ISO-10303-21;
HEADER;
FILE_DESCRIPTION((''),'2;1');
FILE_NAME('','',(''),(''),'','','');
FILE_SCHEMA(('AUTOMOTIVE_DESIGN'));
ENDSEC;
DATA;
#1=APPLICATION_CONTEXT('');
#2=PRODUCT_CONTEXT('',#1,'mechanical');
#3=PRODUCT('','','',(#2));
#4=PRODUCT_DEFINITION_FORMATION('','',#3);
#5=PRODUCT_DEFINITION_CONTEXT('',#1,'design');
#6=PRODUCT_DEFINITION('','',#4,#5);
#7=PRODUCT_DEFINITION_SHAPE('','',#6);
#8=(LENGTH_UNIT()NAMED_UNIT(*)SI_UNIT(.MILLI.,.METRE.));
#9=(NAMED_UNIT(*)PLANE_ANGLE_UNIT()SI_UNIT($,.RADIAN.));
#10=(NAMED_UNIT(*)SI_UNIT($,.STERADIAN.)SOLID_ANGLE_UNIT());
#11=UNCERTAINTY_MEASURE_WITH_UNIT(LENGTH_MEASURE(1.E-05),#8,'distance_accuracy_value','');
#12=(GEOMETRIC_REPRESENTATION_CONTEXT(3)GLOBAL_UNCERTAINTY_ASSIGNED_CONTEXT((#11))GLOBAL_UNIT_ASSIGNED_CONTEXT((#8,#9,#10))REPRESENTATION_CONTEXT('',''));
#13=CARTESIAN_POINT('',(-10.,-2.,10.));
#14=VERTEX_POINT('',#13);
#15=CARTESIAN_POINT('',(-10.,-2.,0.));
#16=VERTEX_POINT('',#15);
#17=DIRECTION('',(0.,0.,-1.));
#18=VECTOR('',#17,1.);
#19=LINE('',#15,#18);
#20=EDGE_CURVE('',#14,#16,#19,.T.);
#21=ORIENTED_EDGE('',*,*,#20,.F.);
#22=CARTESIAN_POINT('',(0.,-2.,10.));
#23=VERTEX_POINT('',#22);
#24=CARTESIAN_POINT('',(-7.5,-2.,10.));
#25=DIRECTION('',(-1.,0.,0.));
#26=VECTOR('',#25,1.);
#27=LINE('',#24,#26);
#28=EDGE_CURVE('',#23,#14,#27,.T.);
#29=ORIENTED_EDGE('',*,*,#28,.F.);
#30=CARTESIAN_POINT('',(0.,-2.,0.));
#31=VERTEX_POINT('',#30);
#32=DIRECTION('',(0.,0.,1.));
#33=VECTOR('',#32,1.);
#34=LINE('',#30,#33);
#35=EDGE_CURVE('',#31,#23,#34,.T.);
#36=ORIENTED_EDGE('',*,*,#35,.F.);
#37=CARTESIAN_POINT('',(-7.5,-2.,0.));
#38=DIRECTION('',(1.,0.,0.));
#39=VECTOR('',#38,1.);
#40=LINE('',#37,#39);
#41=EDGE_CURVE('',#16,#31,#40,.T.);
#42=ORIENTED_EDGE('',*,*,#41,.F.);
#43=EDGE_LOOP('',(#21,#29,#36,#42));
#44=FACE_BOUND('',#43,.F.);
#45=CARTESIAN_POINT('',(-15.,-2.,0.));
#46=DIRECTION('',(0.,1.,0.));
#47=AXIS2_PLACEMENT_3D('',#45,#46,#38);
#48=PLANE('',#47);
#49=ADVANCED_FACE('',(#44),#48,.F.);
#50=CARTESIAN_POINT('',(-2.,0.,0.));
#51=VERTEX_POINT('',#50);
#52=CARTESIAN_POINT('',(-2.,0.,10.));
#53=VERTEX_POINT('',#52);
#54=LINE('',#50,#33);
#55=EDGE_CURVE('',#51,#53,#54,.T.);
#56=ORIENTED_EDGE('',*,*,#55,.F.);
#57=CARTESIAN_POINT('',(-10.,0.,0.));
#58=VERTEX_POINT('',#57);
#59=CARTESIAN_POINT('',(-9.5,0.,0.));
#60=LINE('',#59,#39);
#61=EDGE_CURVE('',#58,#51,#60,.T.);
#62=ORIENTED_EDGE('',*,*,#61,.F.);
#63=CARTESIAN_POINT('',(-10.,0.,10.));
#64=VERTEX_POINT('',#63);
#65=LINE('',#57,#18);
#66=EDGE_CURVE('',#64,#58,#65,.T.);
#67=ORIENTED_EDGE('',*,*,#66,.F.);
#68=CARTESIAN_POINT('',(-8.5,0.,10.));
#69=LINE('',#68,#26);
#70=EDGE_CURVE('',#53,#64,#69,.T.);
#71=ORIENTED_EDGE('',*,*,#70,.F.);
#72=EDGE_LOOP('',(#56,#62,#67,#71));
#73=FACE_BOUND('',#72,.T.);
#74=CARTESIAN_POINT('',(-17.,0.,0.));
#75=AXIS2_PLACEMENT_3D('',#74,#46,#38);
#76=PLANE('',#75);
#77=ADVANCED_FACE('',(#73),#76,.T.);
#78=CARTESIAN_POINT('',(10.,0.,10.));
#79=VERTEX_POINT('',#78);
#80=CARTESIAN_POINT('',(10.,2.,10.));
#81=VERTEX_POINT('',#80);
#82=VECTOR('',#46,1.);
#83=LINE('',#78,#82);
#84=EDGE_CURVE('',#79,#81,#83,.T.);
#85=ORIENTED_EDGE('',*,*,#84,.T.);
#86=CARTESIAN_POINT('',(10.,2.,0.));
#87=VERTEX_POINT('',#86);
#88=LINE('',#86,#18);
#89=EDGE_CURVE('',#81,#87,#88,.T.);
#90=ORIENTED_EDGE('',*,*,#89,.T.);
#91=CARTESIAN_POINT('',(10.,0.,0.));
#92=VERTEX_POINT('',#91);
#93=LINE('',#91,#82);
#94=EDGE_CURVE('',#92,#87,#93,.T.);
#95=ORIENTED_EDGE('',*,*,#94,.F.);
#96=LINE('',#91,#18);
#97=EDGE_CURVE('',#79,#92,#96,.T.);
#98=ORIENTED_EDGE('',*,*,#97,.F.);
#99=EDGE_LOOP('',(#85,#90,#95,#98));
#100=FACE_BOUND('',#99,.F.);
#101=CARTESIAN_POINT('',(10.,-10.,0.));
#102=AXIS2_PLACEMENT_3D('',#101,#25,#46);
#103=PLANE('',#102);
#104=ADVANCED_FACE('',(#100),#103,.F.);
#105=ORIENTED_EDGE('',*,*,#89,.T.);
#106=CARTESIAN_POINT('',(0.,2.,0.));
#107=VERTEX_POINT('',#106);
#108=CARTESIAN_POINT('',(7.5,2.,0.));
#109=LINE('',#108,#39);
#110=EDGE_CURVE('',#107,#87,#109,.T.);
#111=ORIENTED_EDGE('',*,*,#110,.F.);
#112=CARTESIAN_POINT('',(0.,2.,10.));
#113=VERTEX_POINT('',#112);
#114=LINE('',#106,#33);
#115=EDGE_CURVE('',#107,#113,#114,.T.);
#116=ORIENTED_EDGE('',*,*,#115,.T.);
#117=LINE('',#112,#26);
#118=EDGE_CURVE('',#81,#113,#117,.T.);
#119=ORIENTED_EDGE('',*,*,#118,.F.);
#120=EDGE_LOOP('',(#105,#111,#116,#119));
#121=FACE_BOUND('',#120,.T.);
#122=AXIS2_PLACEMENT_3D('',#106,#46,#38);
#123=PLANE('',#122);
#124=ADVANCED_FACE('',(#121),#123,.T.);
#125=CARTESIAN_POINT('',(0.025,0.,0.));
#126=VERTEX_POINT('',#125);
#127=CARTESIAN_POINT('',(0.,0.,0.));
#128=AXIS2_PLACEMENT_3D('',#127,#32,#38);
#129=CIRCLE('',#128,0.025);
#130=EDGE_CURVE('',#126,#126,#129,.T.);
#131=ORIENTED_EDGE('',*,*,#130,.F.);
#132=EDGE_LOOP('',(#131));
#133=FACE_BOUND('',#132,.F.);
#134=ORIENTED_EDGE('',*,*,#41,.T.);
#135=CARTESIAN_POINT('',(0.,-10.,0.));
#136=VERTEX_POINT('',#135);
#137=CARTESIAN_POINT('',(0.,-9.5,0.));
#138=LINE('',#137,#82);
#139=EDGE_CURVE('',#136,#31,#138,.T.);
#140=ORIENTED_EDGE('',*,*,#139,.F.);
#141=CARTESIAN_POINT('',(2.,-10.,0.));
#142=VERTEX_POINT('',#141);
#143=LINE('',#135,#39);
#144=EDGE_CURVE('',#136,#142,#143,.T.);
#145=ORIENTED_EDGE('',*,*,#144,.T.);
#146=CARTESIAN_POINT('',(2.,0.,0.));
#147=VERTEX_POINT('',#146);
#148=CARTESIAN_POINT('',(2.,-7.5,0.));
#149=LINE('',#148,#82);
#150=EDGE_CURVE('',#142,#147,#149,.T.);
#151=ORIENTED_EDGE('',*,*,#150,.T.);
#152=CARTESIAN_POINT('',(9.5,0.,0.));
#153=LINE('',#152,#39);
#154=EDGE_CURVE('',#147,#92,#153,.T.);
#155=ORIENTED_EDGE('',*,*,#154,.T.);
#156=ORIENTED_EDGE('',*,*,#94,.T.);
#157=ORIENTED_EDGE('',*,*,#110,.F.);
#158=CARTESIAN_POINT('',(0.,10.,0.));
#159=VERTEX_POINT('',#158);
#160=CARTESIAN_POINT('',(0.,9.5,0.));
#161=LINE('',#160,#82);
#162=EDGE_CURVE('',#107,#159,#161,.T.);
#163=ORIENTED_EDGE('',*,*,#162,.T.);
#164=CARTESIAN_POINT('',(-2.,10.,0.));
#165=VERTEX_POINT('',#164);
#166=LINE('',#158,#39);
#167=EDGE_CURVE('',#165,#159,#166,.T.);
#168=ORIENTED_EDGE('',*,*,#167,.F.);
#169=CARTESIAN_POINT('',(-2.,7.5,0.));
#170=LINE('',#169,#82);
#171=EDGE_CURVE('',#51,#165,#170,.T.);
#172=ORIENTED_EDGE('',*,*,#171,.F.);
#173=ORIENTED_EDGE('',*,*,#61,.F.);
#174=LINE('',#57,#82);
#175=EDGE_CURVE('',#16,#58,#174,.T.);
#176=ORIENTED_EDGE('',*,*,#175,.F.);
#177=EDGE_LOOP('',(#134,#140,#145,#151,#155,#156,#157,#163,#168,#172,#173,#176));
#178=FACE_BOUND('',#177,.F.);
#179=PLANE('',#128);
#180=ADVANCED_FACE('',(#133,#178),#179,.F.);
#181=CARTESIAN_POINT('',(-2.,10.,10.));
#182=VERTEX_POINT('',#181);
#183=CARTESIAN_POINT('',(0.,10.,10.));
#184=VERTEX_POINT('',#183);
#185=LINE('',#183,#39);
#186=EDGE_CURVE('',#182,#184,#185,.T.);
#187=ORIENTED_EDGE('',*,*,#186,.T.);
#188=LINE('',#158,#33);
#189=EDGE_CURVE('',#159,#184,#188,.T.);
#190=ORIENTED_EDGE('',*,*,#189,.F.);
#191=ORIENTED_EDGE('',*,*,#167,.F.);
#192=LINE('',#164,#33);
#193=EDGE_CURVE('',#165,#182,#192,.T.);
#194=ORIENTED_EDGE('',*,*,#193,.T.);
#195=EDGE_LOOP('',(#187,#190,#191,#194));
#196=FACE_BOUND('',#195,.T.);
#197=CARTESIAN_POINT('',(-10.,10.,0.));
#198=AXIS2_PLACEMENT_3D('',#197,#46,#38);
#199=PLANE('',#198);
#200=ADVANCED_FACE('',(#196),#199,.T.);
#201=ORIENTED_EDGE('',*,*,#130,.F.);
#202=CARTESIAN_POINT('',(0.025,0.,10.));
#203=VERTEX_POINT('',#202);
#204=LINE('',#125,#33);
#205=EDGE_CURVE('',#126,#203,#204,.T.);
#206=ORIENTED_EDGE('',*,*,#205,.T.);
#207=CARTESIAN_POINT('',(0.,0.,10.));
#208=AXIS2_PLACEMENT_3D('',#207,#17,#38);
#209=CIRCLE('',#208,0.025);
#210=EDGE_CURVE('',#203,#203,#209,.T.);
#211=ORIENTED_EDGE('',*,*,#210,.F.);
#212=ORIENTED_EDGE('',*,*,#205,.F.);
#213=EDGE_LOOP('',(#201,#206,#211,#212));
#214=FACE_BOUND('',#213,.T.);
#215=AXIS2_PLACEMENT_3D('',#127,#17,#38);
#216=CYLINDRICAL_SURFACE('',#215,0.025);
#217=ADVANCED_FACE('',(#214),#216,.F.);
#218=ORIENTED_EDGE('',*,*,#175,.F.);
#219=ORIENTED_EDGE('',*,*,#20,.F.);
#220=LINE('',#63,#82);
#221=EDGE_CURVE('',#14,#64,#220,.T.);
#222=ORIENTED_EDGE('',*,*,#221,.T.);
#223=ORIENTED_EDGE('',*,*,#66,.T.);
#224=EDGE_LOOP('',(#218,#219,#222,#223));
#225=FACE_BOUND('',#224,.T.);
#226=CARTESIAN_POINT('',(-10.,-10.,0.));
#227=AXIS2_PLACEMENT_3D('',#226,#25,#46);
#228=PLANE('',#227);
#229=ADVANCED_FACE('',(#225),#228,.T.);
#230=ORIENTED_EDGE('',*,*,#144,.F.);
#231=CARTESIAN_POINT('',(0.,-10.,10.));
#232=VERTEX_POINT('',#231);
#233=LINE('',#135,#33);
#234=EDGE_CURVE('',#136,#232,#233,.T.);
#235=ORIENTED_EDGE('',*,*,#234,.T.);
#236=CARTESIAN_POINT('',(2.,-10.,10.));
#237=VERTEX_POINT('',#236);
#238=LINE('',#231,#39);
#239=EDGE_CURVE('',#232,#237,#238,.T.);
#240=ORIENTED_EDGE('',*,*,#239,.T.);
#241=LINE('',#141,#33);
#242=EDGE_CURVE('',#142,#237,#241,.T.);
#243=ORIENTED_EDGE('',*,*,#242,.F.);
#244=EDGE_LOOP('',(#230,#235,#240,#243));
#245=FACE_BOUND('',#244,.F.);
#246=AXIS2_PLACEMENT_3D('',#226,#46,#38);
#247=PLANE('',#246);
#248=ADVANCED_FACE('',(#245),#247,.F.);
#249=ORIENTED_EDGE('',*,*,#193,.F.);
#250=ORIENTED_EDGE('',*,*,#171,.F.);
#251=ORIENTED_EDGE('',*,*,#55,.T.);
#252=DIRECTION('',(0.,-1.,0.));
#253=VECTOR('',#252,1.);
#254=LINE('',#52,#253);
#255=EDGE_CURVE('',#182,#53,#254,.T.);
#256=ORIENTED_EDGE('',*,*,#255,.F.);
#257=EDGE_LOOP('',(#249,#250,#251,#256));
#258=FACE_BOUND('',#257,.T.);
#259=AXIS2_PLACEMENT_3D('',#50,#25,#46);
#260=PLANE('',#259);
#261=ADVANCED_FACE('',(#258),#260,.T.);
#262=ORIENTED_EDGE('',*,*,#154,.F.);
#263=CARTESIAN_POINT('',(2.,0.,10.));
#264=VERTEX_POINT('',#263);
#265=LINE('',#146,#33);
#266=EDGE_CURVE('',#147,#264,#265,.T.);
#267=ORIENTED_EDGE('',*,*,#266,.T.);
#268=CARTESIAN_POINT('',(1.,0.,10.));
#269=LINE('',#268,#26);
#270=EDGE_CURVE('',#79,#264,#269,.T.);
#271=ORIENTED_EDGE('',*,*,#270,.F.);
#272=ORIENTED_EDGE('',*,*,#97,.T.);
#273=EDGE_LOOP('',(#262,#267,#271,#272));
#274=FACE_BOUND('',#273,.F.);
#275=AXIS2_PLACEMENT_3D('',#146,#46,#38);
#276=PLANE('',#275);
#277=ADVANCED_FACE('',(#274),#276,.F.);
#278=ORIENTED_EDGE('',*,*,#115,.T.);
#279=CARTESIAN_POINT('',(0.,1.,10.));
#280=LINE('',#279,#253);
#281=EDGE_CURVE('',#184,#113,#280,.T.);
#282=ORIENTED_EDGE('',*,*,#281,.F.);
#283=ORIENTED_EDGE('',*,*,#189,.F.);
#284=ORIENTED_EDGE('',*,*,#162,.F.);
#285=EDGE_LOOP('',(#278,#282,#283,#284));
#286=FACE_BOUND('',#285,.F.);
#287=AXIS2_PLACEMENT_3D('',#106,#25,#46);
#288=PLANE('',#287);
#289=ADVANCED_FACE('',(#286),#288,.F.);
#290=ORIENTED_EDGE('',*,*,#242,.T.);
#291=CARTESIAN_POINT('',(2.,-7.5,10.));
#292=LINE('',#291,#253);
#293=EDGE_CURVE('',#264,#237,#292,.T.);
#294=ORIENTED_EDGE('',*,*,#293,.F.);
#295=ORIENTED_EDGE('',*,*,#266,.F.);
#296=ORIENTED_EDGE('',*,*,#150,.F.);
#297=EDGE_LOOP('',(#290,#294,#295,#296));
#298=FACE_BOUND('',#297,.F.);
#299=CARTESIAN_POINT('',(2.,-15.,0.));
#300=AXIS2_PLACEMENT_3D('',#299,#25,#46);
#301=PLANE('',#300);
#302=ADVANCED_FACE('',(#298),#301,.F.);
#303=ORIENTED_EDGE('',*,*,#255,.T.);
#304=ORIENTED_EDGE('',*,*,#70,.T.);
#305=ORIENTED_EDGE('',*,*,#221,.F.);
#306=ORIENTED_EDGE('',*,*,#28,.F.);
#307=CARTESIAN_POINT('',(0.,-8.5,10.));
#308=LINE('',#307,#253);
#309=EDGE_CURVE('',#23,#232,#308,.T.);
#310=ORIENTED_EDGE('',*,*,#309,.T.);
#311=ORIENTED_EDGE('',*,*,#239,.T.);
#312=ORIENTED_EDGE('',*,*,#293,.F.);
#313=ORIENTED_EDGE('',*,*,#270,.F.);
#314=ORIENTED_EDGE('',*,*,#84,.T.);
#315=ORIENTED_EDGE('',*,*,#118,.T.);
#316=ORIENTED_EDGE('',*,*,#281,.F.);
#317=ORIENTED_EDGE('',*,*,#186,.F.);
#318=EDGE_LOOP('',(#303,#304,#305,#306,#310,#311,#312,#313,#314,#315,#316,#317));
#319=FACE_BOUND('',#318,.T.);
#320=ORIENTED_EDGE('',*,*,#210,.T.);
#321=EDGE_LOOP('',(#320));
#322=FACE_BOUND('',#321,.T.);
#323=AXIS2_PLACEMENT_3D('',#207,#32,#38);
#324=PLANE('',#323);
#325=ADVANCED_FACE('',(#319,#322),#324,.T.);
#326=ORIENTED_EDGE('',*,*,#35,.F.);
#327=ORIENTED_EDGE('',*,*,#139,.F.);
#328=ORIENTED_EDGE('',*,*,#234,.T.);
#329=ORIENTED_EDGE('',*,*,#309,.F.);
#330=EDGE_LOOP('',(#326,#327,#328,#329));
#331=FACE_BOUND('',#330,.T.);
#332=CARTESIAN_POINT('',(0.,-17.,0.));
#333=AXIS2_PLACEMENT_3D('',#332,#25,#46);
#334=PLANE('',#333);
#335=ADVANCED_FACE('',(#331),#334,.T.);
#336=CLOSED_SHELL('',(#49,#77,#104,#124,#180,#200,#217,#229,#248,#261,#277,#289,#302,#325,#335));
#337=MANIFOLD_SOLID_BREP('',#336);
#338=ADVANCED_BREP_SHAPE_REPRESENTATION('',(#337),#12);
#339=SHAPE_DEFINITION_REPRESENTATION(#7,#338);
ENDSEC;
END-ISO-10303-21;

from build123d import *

# Parameters (mm, degrees)
SKETCH_W             = 20
SKETCH_H             = 20
PAD_DEPTH            = 10
SKETCH001_W          = 15
SKETCH001_H          = 15
POCKET_DEPTH         = 10.001
SKETCH002_R          = 0.025
POCKET001_DEPTH      = 0.001
POCKET001_DEPTH_BACK = 10.001


with BuildPart() as part:
    # Sketch → Pad (new body)
    with BuildSketch(Plane.XY):
        Rectangle(SKETCH_W, SKETCH_H)
    extrude(amount=PAD_DEPTH)

    # Sketch001 → Pocket (cut, through all)
    with BuildSketch(Plane.XY):
        with Locations((7.5, 9.5)):
            Rectangle(SKETCH001_W, SKETCH001_H)
        with Locations((-9.5, 7.5)):
            Rectangle(SKETCH001_W, SKETCH001_H)
        with Locations((9.5, -7.5)):
            Rectangle(SKETCH001_W, SKETCH001_H)
        with Locations((-7.5, -9.5)):
            Rectangle(SKETCH001_W, SKETCH001_H)
    extrude(amount=POCKET_DEPTH, mode=Mode.SUBTRACT)

    # Sketch002 → Pocket001 (cut, two sides)
    with BuildSketch(Plane.XY) as pocket001_sk:
        Circle(SKETCH002_R)
    extrude(amount=-POCKET001_DEPTH, mode=Mode.SUBTRACT)
    extrude(pocket001_sk.sketch, amount=POCKET001_DEPTH_BACK, mode=Mode.SUBTRACT)


solid = part.part
